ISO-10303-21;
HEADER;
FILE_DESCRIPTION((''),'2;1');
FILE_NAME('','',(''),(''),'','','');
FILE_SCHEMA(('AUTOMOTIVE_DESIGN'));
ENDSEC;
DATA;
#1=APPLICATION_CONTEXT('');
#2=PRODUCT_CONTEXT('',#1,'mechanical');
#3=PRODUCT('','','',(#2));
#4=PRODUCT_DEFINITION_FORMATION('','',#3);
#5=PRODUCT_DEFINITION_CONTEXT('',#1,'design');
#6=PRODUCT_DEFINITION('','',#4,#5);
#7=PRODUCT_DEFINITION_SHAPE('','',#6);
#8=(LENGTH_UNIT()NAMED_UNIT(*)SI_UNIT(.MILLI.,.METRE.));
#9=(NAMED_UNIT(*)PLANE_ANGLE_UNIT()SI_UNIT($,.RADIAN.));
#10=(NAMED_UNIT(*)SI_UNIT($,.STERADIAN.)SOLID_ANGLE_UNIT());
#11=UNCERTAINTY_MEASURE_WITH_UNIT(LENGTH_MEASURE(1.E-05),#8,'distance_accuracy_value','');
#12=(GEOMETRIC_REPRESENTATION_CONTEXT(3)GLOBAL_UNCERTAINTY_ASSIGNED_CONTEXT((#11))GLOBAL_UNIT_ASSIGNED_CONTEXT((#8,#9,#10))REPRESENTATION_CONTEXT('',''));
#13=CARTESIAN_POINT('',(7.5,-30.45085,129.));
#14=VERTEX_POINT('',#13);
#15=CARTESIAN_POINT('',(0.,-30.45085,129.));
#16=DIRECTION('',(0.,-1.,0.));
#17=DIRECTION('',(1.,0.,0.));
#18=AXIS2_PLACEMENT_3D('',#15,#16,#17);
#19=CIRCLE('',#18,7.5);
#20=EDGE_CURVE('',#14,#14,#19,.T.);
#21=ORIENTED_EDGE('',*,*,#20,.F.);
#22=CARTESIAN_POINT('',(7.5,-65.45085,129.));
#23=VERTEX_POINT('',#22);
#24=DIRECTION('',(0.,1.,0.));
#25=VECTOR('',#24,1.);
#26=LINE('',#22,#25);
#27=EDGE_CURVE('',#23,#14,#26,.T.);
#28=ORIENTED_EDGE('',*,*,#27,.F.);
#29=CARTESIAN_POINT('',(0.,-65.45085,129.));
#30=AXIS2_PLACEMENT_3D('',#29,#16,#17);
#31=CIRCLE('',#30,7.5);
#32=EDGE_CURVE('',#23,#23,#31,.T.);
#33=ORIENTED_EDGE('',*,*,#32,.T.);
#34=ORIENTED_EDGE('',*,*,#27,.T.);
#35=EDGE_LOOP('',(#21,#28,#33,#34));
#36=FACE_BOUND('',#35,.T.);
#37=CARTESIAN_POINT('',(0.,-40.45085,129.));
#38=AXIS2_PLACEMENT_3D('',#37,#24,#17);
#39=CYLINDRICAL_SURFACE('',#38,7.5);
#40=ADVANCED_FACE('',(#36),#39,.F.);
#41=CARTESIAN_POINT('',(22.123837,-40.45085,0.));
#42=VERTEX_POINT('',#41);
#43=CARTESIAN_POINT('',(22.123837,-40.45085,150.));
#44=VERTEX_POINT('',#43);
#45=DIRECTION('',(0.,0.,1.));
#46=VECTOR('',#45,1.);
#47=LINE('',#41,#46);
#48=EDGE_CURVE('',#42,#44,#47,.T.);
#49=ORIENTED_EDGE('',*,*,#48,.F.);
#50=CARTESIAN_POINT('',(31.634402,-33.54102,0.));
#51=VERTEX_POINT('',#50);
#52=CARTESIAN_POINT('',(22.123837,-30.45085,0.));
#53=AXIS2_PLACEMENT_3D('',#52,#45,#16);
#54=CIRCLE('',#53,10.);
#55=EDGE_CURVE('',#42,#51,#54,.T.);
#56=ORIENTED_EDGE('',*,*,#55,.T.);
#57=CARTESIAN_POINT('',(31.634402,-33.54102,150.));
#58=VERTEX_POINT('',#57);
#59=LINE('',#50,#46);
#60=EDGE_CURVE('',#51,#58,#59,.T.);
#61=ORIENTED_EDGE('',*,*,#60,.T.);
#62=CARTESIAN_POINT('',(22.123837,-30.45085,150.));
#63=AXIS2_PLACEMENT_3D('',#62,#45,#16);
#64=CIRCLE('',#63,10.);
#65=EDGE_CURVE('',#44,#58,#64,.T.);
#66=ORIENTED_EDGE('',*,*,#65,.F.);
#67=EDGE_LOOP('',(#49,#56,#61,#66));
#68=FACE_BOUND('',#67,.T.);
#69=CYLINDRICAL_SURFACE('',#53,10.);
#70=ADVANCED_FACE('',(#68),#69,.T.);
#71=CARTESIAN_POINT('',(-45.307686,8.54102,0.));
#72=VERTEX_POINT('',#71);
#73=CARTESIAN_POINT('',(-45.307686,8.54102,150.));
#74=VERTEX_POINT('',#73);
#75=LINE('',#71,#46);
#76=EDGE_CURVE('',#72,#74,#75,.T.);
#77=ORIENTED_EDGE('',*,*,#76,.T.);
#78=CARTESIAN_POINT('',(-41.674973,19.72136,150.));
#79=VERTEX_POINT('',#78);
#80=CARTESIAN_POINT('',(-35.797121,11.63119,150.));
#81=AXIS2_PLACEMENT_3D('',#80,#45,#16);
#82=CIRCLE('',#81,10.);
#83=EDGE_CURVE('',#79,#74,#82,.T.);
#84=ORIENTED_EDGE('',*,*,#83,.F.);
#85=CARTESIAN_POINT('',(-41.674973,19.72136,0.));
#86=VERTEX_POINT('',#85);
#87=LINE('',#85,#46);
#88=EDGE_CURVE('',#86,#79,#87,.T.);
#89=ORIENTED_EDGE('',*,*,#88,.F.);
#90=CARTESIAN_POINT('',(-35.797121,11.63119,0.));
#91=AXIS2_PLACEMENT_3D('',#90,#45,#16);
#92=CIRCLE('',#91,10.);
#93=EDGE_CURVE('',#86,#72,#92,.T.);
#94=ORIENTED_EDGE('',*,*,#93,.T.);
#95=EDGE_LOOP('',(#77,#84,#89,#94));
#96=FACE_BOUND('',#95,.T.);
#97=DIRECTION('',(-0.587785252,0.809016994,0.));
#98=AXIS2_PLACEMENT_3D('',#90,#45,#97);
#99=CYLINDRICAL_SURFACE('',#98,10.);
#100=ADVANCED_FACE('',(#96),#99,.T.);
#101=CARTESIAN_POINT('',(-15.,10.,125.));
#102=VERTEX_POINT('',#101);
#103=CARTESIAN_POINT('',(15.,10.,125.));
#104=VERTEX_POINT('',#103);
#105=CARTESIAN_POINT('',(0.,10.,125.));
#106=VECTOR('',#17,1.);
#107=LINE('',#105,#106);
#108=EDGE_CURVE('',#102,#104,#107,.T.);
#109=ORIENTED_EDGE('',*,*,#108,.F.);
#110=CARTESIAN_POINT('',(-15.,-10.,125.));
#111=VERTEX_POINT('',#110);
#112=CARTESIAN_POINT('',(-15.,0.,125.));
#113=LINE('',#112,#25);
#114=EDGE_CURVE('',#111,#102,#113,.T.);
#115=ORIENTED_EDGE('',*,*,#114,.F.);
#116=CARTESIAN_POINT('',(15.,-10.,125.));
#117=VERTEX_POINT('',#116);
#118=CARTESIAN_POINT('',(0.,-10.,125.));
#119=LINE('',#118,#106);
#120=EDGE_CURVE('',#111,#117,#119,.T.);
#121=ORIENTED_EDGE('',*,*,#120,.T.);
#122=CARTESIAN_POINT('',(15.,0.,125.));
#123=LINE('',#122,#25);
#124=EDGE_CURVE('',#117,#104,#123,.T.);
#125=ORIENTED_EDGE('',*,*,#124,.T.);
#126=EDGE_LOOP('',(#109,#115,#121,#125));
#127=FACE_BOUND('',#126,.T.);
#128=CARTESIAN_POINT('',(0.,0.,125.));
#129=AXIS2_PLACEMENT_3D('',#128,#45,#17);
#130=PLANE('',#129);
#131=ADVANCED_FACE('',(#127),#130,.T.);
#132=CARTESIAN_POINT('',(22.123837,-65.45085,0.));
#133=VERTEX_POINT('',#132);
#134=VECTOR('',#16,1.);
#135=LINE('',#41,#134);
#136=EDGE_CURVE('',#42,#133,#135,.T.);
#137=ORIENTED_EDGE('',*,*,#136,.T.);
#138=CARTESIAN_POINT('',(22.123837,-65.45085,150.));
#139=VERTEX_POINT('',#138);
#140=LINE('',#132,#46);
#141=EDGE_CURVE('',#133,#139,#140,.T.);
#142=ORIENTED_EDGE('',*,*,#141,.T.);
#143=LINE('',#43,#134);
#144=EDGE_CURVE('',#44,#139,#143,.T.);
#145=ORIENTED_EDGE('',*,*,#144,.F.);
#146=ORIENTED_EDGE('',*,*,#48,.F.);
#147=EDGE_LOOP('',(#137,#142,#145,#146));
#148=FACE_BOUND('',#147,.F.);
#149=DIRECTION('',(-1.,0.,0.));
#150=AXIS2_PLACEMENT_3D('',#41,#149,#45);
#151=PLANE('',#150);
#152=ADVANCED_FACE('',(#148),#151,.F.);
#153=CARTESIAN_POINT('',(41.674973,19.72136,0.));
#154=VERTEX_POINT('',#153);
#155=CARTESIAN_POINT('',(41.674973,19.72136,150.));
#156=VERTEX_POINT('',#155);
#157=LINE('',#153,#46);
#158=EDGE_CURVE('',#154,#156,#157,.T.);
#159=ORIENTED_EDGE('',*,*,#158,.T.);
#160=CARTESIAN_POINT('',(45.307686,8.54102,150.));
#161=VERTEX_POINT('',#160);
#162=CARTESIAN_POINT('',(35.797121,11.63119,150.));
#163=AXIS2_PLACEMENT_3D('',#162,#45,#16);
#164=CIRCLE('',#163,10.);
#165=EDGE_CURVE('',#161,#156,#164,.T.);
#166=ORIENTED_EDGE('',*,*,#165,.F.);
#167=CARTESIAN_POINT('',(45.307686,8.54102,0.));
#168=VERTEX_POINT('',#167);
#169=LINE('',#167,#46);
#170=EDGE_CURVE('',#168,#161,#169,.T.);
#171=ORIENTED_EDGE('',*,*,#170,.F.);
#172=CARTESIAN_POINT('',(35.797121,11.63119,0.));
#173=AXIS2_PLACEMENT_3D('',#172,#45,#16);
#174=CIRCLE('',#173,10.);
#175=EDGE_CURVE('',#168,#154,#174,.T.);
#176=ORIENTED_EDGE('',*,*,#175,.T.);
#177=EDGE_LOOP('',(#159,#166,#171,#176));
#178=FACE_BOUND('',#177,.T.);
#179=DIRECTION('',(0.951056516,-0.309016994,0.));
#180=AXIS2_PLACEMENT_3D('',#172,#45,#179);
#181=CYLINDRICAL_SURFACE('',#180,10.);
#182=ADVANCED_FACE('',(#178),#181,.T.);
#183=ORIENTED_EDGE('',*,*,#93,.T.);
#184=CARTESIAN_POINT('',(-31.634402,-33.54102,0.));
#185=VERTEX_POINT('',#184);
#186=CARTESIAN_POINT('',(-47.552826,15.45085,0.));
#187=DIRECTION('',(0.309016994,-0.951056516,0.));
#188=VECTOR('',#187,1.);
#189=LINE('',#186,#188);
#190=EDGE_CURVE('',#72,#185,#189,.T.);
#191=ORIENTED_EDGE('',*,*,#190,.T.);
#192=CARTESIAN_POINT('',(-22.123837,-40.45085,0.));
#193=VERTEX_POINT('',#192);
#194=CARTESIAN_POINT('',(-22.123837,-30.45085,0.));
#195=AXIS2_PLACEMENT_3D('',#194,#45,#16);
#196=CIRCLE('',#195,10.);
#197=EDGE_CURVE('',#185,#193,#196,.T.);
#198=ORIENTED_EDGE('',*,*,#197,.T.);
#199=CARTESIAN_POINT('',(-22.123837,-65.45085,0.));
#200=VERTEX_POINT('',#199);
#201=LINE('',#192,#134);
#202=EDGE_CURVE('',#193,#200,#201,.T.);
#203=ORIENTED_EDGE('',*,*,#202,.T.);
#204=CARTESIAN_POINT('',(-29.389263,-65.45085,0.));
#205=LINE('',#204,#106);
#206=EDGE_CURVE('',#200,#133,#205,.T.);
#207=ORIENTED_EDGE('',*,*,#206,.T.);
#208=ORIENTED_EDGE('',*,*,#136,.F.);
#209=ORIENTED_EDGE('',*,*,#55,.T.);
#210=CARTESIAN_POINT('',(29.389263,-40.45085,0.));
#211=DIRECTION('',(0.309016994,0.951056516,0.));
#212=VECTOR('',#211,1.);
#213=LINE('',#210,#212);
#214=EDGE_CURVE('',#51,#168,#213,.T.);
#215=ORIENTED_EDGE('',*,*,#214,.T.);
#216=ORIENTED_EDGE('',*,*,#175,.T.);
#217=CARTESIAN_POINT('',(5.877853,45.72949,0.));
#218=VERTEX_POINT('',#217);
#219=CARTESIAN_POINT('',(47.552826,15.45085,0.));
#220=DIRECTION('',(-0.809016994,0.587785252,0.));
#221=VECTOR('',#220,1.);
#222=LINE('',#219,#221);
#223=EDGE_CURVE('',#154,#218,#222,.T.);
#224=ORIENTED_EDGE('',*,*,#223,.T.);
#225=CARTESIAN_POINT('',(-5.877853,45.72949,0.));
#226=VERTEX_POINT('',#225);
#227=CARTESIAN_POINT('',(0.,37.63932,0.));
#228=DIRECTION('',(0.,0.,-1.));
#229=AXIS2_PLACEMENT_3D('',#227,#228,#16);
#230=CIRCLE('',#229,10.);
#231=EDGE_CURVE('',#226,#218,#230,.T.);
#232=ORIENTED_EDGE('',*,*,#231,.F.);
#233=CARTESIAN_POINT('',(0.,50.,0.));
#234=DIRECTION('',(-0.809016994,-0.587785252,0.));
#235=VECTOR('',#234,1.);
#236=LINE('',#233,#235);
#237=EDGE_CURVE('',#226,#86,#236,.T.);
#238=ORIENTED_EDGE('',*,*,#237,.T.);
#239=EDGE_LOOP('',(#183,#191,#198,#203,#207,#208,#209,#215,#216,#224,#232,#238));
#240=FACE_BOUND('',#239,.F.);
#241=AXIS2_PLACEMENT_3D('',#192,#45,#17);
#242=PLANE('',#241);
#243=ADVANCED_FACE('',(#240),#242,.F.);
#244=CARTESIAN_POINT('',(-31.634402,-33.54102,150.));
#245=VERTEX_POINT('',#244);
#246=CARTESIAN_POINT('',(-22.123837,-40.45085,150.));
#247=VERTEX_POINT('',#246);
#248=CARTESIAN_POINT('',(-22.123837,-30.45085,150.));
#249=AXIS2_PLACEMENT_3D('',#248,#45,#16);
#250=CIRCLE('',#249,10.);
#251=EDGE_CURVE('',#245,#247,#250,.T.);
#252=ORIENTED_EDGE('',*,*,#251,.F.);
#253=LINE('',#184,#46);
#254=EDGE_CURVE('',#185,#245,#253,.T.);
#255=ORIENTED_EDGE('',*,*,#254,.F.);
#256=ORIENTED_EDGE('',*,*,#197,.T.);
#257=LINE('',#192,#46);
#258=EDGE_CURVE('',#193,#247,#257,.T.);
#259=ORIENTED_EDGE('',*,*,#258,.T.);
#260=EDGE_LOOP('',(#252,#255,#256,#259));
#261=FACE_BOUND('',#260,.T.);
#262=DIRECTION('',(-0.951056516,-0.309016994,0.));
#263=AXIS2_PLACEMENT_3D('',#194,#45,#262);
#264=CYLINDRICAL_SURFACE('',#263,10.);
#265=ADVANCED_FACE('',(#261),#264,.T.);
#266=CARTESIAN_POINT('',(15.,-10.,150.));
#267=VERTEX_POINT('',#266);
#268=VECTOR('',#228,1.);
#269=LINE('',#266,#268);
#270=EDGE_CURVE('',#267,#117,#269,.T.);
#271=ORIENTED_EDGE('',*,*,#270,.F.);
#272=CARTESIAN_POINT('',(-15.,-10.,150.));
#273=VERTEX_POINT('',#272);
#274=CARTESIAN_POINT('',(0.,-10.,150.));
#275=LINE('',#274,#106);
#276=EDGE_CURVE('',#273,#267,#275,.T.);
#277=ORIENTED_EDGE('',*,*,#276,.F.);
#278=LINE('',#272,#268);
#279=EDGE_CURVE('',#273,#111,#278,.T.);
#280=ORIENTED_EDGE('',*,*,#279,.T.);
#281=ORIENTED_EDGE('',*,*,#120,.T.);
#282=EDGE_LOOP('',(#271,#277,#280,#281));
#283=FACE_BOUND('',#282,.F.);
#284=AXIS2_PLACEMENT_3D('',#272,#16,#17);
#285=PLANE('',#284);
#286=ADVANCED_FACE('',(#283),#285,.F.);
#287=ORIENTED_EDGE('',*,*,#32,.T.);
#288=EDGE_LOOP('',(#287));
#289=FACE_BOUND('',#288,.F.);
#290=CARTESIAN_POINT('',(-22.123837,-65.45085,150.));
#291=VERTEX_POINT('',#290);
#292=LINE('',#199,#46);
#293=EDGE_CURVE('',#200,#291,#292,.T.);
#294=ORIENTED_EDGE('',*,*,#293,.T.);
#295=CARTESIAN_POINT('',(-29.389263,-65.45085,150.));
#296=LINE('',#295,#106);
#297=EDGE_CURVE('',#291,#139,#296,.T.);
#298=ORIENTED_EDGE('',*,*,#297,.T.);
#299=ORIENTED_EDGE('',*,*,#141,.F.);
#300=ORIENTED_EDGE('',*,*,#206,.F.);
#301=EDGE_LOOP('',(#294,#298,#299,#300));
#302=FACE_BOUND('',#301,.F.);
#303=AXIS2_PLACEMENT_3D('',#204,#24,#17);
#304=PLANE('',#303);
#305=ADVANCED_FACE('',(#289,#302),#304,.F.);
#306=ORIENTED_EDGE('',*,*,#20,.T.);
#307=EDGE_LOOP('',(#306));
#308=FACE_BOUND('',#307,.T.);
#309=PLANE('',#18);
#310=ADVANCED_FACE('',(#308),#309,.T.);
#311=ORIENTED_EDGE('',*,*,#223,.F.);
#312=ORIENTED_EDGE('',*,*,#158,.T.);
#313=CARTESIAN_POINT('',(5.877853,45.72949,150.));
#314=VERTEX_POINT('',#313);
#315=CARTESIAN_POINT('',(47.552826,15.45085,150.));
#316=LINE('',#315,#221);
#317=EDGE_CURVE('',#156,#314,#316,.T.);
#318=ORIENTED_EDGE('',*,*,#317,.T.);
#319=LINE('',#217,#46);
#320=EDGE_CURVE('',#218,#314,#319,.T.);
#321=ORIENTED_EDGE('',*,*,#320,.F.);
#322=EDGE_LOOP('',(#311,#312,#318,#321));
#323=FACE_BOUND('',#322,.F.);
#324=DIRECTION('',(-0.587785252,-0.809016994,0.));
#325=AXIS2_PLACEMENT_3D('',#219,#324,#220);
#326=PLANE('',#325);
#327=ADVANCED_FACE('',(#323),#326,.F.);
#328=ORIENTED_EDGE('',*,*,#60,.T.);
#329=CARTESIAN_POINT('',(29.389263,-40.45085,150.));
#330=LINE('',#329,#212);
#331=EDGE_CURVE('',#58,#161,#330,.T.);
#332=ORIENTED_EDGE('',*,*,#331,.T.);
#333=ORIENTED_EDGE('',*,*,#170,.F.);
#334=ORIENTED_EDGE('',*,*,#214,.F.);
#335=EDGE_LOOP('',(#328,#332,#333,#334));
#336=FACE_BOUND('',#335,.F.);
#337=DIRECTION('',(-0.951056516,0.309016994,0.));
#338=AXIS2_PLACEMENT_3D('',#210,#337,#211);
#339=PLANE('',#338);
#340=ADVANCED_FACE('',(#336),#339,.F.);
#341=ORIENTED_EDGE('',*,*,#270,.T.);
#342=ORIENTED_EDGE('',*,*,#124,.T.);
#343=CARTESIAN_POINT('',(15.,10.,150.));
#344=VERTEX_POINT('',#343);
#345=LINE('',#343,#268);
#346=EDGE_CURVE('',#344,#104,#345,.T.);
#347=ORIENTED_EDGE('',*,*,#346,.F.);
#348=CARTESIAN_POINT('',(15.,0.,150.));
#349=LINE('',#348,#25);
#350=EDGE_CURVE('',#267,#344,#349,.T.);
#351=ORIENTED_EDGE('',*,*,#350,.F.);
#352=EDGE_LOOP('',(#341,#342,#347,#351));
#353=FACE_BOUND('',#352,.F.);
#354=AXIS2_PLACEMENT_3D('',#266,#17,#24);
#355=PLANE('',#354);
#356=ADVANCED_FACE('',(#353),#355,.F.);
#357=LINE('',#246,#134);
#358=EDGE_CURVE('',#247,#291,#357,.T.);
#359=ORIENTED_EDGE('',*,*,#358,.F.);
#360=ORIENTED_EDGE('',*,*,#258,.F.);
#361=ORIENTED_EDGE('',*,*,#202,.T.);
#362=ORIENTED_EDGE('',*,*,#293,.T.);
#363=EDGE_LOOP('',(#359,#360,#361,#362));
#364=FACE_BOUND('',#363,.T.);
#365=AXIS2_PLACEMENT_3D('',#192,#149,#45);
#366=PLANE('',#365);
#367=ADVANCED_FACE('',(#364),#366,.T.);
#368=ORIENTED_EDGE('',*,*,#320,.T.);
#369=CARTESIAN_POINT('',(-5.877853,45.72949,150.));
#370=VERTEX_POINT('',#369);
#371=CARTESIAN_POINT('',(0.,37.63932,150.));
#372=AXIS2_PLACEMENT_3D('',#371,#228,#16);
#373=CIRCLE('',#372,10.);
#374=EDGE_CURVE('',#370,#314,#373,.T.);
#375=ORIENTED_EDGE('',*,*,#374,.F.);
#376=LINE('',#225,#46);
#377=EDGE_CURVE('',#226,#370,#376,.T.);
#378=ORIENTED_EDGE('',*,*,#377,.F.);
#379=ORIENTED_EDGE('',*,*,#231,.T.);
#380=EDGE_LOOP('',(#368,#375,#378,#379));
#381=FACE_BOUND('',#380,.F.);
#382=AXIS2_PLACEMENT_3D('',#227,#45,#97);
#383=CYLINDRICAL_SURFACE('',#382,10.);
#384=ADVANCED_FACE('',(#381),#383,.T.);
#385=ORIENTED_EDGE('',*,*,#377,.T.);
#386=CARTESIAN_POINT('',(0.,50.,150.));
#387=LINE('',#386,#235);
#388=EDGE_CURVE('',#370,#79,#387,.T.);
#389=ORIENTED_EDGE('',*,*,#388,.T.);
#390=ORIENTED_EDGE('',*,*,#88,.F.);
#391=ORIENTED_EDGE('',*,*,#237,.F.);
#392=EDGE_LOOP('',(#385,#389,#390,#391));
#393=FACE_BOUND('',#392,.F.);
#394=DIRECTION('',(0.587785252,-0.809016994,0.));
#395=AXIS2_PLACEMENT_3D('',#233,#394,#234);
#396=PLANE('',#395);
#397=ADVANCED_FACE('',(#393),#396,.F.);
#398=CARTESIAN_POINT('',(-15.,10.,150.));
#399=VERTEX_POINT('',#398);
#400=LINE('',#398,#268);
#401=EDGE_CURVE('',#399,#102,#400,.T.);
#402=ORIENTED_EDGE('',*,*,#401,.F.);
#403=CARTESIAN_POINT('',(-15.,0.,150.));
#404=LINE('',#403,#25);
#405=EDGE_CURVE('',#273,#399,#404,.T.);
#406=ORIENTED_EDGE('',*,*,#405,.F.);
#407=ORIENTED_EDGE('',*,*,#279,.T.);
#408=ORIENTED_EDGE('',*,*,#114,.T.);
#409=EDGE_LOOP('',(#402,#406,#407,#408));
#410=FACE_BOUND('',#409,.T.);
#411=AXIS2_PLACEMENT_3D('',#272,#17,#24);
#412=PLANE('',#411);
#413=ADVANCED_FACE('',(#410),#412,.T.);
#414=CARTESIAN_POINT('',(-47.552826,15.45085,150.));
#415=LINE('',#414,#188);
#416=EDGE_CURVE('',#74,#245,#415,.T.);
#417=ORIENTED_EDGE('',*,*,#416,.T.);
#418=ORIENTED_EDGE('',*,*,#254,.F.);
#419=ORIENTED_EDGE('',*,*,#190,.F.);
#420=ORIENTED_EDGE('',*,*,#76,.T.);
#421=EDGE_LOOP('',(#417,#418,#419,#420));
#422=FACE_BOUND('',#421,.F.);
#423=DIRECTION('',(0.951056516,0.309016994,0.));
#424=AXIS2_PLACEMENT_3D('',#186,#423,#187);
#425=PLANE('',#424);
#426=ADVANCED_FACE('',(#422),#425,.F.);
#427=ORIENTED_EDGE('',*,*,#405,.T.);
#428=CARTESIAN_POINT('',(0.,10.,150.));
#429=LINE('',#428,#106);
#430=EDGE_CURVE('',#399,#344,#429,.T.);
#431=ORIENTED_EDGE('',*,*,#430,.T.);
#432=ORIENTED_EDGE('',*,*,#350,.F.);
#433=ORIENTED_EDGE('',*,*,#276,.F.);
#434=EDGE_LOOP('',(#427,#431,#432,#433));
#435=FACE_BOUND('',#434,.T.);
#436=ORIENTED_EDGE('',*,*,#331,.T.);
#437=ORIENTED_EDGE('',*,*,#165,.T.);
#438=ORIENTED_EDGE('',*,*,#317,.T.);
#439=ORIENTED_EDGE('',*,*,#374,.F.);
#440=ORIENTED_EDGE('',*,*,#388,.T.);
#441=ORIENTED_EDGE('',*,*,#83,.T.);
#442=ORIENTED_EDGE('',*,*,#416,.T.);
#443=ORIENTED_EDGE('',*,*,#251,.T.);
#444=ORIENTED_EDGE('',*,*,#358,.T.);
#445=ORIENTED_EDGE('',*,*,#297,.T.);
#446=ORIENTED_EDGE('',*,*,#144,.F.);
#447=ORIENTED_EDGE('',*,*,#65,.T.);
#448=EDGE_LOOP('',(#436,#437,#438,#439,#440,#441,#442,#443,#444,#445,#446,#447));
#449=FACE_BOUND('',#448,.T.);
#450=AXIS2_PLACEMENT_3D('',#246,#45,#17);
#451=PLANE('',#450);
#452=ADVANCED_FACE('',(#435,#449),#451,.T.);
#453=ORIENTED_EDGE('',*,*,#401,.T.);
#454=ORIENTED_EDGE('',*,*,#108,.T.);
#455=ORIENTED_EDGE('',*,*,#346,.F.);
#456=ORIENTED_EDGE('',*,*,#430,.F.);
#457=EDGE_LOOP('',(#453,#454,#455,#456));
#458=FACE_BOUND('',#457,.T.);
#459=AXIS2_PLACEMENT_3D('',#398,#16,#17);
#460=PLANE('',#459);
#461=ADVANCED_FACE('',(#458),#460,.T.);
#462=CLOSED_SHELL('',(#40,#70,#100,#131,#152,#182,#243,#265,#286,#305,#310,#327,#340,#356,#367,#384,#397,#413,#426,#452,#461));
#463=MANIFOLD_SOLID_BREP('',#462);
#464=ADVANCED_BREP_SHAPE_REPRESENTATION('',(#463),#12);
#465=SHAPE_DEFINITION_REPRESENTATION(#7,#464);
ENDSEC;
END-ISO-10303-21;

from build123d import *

# Parameters (mm, degrees)
F1_DEPTH = 150
F2_R     = 10
F4_W     = 30
F4_H     = 20
F5_DEPTH = 25
F6_R     = 7.5
F7_DEPTH = 10
F8_DEPTH = 25


with BuildPart() as f1:
    # F0 (on Top) → F1 (new body)
    with BuildSketch(Plane.XY):
        Polygon((0, 50), (-47.5528258148, 15.4508497187), (-29.3892626146, -40.4508497187), (29.3892626146, -40.4508497187), (47.5528258148, 15.4508497187), align=None)
    extrude(amount=F1_DEPTH)

    # F2
    f2_edges = [f1.edges().sort_by_distance(p)[0] for p in [
        (-29.389263, -40.45085, 75),
        (-47.552826, 15.45085, 75),
        (0, 50, 75),
        (47.552826, 15.45085, 75),
        (29.389263, -40.45085, 75),
    ]]
    fillet(f2_edges, radius=F2_R)

    # F4 (on face) → F5 (cut)
    with BuildSketch(Plane.XY.offset(150)):
        Rectangle(F4_W, F4_H)
    extrude(amount=-F5_DEPTH, mode=Mode.SUBTRACT)

    # F6 (on face) → F7 (cut)
    with BuildSketch(Plane.XZ.offset(40.4508497187)):
        with Locations((0, 129)):
            Circle(F6_R)
    extrude(amount=-F7_DEPTH, mode=Mode.SUBTRACT)

    # F8 (add): a face of the model
    f8_faces = [f1.faces().sort_by_distance(p)[0] for p in [
        (0, -40.4508497187, 73.5229190756),
    ]]
    extrude(f8_faces, amount=F8_DEPTH)


solid = f1.part
